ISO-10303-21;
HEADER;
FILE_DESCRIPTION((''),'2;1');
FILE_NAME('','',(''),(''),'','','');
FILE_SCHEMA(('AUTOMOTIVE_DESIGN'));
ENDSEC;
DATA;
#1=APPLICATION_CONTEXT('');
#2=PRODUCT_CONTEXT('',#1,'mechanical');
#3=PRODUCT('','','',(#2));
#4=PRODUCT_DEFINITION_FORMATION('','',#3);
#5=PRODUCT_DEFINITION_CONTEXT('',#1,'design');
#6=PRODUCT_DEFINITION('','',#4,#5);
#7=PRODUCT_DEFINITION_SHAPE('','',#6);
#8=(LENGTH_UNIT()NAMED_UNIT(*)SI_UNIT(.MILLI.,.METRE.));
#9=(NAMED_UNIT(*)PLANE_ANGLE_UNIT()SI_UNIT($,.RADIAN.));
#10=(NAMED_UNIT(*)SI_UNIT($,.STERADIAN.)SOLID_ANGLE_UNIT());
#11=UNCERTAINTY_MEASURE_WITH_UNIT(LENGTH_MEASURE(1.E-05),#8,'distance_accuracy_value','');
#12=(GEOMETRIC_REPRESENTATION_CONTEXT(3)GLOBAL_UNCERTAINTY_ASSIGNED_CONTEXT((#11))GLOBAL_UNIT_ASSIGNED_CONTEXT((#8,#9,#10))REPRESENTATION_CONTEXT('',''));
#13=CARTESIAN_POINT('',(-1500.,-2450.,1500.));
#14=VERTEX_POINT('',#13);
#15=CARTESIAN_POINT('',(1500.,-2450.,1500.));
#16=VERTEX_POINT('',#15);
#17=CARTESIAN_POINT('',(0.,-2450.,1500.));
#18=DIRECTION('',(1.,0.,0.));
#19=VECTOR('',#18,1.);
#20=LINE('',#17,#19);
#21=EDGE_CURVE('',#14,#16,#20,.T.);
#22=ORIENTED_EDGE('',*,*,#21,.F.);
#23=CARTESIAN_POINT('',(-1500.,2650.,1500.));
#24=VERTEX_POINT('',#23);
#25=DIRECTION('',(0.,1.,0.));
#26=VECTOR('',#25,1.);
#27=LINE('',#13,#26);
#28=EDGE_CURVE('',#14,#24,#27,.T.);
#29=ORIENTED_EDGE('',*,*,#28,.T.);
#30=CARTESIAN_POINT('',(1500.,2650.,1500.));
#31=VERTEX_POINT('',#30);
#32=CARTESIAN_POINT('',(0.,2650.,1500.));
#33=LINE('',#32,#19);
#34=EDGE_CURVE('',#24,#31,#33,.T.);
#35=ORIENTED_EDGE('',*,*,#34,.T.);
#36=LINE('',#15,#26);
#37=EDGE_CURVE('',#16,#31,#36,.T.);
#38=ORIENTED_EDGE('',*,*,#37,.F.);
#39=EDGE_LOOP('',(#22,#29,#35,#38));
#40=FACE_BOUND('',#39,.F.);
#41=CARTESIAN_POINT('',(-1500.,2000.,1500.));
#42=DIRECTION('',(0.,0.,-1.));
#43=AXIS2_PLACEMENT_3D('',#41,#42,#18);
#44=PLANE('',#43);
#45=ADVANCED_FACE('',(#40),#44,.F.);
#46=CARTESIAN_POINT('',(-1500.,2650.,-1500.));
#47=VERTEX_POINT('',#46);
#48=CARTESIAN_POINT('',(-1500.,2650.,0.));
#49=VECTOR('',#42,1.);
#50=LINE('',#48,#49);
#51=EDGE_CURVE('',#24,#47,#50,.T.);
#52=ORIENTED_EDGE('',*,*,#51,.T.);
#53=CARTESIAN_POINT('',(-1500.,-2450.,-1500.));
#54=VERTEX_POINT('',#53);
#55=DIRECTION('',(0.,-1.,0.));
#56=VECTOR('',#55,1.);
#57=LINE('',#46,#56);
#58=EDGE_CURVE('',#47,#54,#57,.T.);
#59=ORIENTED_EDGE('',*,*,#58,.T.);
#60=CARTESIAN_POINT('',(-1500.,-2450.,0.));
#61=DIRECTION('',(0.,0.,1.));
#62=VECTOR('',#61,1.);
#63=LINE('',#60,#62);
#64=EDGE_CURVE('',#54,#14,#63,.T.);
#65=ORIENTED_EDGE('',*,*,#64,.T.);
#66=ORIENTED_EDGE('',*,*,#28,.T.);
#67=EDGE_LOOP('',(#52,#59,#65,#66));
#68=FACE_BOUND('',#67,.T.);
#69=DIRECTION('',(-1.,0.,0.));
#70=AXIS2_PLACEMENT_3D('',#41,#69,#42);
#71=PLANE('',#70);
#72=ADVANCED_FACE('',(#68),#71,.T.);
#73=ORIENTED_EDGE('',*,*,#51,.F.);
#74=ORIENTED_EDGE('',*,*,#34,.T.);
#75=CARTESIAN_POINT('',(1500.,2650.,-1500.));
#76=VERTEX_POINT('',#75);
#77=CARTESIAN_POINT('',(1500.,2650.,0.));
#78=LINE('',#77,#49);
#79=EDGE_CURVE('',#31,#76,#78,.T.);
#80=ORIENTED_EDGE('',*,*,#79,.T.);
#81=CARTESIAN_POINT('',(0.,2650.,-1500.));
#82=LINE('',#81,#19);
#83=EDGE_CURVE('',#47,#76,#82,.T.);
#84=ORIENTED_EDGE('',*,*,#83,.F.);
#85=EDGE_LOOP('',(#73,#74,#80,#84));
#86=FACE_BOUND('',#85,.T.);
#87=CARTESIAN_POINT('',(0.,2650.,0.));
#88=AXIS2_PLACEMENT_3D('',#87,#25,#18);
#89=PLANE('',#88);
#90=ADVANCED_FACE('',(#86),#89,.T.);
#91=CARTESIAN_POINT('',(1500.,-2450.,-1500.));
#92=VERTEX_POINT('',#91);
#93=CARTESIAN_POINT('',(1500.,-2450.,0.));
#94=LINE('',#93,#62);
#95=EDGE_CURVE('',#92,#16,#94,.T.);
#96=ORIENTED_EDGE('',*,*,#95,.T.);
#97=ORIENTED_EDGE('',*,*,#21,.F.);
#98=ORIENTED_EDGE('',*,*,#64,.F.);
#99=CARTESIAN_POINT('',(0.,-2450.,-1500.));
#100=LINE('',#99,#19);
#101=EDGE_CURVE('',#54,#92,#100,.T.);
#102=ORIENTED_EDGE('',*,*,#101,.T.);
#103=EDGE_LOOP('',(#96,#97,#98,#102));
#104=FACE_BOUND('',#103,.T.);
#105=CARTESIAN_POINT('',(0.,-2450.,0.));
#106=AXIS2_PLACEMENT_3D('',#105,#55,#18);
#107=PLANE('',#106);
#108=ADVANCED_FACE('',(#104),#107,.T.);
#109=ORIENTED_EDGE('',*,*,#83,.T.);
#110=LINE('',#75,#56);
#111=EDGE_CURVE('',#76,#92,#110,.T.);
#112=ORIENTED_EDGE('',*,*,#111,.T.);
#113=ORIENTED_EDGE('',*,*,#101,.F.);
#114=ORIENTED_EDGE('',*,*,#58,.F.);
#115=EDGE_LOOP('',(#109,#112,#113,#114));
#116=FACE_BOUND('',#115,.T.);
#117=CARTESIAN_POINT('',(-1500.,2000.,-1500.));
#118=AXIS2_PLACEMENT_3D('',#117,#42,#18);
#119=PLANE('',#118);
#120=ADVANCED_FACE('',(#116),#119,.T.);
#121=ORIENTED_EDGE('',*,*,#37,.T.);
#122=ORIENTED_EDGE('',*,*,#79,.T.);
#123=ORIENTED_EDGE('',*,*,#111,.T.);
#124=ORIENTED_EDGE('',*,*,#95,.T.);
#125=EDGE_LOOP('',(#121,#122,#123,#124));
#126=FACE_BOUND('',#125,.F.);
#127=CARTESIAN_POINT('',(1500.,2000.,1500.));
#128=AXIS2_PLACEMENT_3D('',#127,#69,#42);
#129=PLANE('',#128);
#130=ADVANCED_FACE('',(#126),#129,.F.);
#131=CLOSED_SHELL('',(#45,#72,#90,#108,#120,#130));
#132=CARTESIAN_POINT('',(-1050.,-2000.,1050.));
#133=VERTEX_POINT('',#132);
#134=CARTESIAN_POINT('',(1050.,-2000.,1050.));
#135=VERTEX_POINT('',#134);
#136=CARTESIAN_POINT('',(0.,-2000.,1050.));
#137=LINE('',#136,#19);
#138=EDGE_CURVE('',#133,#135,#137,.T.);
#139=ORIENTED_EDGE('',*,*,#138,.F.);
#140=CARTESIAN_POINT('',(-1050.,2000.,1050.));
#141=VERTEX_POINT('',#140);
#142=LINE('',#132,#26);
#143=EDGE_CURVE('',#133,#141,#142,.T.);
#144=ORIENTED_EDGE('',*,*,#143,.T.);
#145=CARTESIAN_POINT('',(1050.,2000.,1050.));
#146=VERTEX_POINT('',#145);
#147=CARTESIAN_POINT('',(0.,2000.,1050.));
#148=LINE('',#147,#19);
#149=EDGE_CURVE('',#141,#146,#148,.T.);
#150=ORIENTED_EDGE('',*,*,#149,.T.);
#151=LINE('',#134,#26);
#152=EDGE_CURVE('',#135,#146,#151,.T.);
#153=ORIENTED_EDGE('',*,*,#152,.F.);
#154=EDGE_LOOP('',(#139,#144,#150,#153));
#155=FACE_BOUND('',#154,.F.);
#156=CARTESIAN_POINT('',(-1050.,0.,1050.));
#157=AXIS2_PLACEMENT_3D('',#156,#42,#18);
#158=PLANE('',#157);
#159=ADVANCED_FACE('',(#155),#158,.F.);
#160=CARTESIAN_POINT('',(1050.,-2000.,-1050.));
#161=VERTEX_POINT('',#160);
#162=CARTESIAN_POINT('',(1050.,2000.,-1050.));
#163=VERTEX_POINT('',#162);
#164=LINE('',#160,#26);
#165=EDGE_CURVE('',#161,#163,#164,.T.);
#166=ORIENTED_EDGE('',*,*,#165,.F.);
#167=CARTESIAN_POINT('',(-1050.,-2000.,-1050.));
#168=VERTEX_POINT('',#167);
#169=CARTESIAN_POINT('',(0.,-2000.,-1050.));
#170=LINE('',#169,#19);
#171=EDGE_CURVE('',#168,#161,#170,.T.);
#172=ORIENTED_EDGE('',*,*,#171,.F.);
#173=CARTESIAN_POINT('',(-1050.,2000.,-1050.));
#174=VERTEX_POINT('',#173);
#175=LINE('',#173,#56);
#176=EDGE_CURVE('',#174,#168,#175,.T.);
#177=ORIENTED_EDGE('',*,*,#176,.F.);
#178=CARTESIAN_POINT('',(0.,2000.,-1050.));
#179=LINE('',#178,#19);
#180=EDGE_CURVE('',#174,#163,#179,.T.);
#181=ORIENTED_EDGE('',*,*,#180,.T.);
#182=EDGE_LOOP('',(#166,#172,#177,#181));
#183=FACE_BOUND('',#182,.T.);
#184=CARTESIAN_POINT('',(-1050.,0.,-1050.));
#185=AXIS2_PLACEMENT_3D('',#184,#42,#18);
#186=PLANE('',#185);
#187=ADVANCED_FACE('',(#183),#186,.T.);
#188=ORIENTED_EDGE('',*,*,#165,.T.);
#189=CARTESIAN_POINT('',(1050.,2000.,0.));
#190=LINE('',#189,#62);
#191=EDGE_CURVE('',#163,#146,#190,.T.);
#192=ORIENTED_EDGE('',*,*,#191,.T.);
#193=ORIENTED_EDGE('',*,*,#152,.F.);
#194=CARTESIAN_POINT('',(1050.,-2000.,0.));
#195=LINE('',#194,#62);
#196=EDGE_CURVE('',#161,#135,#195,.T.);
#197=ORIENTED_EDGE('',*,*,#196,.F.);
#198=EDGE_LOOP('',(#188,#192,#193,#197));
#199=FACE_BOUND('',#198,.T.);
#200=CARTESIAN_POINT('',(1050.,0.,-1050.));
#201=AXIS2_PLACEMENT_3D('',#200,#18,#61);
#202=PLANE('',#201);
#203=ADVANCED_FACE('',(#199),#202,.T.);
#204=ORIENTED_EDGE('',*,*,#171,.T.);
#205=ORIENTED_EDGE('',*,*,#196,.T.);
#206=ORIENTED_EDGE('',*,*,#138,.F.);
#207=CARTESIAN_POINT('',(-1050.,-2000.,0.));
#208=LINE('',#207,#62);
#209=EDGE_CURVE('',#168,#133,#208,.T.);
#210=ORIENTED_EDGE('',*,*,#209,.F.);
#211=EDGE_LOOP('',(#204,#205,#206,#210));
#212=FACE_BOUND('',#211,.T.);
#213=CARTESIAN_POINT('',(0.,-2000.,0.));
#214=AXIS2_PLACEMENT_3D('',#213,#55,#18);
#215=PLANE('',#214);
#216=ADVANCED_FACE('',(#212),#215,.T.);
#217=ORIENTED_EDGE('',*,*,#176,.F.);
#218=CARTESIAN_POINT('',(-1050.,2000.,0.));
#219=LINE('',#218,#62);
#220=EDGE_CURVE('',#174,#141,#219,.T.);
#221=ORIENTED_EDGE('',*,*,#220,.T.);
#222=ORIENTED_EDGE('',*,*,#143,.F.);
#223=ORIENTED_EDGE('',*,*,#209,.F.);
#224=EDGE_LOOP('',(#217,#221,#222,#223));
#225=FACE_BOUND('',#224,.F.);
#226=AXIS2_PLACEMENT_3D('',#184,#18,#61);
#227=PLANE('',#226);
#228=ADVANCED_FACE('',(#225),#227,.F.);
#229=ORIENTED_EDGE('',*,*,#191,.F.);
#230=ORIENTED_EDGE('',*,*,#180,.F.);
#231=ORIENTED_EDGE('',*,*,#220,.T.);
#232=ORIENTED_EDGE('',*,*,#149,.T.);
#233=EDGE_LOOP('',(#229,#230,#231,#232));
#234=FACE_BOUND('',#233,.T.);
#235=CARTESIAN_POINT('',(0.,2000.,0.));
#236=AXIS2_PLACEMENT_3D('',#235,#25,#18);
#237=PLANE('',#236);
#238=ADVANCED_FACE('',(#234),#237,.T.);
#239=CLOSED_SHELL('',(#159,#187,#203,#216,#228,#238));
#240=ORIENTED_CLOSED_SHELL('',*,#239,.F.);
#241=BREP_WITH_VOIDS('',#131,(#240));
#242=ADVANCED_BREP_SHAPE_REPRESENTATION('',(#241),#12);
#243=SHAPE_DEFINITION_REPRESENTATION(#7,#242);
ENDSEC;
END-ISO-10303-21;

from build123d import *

# Parameters (mm, degrees)
SKETCH002_W   = 3000
SKETCH002_H   = 3000
SKETCH002_W_2 = 2100
SKETCH002_H_2 = 2100
PAD_DEPTH     = 2000
SKETCH003_W   = 3000
SKETCH003_H   = 3000
PAD001_DEPTH  = 450
SKETCH004_W   = 3000
SKETCH004_H   = 3000
PAD002_DEPTH  = 650


with BuildPart() as part:
    # Sketch002 → Pad (new body, symmetric)
    with BuildSketch(Plane.XZ):
        Rectangle(SKETCH002_W, SKETCH002_H)
        Rectangle(SKETCH002_W_2, SKETCH002_H_2, mode=Mode.SUBTRACT)
    extrude(amount=PAD_DEPTH, both=True)

    # Sketch003 (on Face10 of Pad) → Pad001 (join)
    with BuildSketch(Plane.XZ.offset(2000)):
        Rectangle(SKETCH003_W, SKETCH003_H)
    extrude(amount=PAD001_DEPTH)

    # Sketch004 (on Face1 of Pad001) → Pad002 (join)
    with BuildSketch(Plane(origin=(0, 2000, 0), x_dir=(1, 0, 0), z_dir=(0, 1, 0))):
        Rectangle(SKETCH004_W, SKETCH004_H)
    extrude(amount=PAD002_DEPTH)


solid = part.part
